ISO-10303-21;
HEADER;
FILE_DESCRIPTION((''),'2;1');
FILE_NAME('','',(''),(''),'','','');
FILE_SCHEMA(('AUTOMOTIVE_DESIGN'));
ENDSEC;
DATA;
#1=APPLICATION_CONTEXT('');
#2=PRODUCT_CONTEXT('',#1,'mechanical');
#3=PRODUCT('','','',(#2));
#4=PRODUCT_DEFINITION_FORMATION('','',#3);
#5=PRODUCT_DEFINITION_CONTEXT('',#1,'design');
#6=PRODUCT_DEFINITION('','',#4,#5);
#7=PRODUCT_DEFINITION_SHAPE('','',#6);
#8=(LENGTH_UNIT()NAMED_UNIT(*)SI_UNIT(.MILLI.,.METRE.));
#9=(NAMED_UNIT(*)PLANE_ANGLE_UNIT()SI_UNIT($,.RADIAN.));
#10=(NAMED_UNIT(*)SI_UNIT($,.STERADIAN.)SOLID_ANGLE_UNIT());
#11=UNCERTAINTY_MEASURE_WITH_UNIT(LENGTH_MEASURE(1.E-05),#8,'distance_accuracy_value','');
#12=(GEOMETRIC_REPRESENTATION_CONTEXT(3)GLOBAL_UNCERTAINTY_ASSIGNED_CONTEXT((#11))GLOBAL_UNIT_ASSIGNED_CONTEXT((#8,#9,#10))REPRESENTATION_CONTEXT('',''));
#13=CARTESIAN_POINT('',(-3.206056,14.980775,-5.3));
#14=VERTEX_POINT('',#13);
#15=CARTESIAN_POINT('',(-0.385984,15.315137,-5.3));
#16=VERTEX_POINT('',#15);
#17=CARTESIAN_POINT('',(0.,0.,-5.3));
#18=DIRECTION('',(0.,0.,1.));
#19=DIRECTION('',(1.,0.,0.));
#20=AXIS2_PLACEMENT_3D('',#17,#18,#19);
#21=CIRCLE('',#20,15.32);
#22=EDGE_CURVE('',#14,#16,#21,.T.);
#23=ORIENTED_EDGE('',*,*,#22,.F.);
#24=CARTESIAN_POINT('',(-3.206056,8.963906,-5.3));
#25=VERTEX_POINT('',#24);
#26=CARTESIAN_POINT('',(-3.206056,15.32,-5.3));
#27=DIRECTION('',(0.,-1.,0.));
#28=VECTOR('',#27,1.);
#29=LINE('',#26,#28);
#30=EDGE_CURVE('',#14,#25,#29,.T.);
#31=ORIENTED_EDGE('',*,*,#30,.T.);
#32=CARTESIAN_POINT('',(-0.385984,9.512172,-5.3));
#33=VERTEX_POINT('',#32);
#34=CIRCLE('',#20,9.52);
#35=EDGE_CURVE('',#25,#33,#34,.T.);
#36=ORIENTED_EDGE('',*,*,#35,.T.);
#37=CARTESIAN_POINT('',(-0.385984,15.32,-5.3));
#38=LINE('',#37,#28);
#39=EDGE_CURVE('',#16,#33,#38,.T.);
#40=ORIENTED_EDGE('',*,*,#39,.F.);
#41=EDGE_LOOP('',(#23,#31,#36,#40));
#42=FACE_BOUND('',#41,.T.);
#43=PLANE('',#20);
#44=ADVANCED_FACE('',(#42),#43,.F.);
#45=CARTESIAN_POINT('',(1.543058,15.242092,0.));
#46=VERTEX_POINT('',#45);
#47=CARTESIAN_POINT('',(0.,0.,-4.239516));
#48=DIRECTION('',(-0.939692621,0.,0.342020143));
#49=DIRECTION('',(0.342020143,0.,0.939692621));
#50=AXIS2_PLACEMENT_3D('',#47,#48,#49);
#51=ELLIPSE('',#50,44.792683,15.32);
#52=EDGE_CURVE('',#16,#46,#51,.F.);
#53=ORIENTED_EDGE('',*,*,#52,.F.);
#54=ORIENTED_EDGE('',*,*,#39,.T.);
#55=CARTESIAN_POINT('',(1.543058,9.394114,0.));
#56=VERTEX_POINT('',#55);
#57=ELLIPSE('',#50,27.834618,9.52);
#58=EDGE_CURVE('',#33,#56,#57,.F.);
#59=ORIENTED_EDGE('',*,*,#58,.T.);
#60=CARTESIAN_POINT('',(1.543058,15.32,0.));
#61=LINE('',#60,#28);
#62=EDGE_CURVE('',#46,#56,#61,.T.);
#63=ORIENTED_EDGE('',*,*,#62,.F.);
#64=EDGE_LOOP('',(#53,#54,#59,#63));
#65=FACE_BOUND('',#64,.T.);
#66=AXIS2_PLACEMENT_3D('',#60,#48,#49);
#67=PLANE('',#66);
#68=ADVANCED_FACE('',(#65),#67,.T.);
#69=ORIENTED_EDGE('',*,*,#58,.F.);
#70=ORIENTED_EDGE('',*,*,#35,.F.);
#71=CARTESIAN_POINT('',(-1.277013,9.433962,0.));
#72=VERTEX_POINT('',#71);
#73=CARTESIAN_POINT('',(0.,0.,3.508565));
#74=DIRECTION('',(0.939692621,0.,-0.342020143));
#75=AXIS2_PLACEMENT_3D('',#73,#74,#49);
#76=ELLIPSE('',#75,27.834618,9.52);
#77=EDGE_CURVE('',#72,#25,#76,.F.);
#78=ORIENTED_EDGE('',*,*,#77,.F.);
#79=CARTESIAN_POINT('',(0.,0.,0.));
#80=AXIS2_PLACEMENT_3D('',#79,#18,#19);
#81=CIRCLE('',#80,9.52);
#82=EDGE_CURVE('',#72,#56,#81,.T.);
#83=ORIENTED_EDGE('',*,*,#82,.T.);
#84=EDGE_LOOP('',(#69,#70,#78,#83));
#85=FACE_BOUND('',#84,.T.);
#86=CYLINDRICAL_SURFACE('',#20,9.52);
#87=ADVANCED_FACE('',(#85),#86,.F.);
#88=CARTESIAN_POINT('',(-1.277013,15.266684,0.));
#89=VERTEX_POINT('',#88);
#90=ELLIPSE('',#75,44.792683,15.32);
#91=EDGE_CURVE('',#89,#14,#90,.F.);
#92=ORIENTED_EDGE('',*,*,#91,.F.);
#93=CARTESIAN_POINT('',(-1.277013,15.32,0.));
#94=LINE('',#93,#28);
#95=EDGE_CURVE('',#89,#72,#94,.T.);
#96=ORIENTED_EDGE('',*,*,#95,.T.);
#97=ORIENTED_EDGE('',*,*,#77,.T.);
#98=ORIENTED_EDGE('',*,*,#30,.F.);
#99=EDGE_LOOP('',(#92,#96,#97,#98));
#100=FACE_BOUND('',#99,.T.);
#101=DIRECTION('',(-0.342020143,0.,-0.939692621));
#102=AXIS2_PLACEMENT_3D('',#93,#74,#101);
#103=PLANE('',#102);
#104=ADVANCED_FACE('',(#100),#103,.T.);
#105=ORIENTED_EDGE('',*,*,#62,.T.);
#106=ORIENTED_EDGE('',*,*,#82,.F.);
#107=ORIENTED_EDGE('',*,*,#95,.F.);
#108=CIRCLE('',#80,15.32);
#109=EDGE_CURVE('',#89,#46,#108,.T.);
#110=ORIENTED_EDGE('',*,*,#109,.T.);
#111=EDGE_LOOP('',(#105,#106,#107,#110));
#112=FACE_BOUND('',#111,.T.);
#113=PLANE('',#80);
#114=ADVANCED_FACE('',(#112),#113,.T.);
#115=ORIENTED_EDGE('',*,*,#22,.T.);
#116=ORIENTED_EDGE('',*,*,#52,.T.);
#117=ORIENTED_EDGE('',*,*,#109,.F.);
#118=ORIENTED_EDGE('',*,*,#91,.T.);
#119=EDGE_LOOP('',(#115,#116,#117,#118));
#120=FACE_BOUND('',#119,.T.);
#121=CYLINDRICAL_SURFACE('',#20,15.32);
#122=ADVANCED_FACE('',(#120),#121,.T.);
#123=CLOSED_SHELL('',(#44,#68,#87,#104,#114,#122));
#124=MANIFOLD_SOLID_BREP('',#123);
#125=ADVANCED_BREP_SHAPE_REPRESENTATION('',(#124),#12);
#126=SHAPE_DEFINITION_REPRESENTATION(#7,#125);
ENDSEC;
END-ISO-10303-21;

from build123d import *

# Parameters (mm, degrees)
SKETCH1_R          = 15.32
SKETCH1_R_2        = 9.52
BASE_EXTRUDE_DEPTH = 5.3
CUT_EXTRUDE1_DEPTH = 25.080039606


with BuildPart() as part:
    # Sketch1 → Base-Extrude (new body)
    with BuildSketch(Plane.XY):
        Circle(SKETCH1_R)
        Circle(SKETCH1_R_2, mode=Mode.SUBTRACT)
    extrude(amount=-BASE_EXTRUDE_DEPTH)

    # Sketch2 → Cut-Extrude1 (cut, through all)
    with BuildSketch(Plane(origin=(-3.021630199, 0, -2.345256512), x_dir=(0, 0, -1), z_dir=(0, 1, 0))):
        Polygon((-2.345256512, -1.744616872), (2.954743488, 0.18442537), (2.954743488, -2.635645727), (-2.345256512, -4.564687969), align=None)
    extrude(amount=CUT_EXTRUDE1_DEPTH, mode=Mode.SUBTRACT)


solid = part.part
